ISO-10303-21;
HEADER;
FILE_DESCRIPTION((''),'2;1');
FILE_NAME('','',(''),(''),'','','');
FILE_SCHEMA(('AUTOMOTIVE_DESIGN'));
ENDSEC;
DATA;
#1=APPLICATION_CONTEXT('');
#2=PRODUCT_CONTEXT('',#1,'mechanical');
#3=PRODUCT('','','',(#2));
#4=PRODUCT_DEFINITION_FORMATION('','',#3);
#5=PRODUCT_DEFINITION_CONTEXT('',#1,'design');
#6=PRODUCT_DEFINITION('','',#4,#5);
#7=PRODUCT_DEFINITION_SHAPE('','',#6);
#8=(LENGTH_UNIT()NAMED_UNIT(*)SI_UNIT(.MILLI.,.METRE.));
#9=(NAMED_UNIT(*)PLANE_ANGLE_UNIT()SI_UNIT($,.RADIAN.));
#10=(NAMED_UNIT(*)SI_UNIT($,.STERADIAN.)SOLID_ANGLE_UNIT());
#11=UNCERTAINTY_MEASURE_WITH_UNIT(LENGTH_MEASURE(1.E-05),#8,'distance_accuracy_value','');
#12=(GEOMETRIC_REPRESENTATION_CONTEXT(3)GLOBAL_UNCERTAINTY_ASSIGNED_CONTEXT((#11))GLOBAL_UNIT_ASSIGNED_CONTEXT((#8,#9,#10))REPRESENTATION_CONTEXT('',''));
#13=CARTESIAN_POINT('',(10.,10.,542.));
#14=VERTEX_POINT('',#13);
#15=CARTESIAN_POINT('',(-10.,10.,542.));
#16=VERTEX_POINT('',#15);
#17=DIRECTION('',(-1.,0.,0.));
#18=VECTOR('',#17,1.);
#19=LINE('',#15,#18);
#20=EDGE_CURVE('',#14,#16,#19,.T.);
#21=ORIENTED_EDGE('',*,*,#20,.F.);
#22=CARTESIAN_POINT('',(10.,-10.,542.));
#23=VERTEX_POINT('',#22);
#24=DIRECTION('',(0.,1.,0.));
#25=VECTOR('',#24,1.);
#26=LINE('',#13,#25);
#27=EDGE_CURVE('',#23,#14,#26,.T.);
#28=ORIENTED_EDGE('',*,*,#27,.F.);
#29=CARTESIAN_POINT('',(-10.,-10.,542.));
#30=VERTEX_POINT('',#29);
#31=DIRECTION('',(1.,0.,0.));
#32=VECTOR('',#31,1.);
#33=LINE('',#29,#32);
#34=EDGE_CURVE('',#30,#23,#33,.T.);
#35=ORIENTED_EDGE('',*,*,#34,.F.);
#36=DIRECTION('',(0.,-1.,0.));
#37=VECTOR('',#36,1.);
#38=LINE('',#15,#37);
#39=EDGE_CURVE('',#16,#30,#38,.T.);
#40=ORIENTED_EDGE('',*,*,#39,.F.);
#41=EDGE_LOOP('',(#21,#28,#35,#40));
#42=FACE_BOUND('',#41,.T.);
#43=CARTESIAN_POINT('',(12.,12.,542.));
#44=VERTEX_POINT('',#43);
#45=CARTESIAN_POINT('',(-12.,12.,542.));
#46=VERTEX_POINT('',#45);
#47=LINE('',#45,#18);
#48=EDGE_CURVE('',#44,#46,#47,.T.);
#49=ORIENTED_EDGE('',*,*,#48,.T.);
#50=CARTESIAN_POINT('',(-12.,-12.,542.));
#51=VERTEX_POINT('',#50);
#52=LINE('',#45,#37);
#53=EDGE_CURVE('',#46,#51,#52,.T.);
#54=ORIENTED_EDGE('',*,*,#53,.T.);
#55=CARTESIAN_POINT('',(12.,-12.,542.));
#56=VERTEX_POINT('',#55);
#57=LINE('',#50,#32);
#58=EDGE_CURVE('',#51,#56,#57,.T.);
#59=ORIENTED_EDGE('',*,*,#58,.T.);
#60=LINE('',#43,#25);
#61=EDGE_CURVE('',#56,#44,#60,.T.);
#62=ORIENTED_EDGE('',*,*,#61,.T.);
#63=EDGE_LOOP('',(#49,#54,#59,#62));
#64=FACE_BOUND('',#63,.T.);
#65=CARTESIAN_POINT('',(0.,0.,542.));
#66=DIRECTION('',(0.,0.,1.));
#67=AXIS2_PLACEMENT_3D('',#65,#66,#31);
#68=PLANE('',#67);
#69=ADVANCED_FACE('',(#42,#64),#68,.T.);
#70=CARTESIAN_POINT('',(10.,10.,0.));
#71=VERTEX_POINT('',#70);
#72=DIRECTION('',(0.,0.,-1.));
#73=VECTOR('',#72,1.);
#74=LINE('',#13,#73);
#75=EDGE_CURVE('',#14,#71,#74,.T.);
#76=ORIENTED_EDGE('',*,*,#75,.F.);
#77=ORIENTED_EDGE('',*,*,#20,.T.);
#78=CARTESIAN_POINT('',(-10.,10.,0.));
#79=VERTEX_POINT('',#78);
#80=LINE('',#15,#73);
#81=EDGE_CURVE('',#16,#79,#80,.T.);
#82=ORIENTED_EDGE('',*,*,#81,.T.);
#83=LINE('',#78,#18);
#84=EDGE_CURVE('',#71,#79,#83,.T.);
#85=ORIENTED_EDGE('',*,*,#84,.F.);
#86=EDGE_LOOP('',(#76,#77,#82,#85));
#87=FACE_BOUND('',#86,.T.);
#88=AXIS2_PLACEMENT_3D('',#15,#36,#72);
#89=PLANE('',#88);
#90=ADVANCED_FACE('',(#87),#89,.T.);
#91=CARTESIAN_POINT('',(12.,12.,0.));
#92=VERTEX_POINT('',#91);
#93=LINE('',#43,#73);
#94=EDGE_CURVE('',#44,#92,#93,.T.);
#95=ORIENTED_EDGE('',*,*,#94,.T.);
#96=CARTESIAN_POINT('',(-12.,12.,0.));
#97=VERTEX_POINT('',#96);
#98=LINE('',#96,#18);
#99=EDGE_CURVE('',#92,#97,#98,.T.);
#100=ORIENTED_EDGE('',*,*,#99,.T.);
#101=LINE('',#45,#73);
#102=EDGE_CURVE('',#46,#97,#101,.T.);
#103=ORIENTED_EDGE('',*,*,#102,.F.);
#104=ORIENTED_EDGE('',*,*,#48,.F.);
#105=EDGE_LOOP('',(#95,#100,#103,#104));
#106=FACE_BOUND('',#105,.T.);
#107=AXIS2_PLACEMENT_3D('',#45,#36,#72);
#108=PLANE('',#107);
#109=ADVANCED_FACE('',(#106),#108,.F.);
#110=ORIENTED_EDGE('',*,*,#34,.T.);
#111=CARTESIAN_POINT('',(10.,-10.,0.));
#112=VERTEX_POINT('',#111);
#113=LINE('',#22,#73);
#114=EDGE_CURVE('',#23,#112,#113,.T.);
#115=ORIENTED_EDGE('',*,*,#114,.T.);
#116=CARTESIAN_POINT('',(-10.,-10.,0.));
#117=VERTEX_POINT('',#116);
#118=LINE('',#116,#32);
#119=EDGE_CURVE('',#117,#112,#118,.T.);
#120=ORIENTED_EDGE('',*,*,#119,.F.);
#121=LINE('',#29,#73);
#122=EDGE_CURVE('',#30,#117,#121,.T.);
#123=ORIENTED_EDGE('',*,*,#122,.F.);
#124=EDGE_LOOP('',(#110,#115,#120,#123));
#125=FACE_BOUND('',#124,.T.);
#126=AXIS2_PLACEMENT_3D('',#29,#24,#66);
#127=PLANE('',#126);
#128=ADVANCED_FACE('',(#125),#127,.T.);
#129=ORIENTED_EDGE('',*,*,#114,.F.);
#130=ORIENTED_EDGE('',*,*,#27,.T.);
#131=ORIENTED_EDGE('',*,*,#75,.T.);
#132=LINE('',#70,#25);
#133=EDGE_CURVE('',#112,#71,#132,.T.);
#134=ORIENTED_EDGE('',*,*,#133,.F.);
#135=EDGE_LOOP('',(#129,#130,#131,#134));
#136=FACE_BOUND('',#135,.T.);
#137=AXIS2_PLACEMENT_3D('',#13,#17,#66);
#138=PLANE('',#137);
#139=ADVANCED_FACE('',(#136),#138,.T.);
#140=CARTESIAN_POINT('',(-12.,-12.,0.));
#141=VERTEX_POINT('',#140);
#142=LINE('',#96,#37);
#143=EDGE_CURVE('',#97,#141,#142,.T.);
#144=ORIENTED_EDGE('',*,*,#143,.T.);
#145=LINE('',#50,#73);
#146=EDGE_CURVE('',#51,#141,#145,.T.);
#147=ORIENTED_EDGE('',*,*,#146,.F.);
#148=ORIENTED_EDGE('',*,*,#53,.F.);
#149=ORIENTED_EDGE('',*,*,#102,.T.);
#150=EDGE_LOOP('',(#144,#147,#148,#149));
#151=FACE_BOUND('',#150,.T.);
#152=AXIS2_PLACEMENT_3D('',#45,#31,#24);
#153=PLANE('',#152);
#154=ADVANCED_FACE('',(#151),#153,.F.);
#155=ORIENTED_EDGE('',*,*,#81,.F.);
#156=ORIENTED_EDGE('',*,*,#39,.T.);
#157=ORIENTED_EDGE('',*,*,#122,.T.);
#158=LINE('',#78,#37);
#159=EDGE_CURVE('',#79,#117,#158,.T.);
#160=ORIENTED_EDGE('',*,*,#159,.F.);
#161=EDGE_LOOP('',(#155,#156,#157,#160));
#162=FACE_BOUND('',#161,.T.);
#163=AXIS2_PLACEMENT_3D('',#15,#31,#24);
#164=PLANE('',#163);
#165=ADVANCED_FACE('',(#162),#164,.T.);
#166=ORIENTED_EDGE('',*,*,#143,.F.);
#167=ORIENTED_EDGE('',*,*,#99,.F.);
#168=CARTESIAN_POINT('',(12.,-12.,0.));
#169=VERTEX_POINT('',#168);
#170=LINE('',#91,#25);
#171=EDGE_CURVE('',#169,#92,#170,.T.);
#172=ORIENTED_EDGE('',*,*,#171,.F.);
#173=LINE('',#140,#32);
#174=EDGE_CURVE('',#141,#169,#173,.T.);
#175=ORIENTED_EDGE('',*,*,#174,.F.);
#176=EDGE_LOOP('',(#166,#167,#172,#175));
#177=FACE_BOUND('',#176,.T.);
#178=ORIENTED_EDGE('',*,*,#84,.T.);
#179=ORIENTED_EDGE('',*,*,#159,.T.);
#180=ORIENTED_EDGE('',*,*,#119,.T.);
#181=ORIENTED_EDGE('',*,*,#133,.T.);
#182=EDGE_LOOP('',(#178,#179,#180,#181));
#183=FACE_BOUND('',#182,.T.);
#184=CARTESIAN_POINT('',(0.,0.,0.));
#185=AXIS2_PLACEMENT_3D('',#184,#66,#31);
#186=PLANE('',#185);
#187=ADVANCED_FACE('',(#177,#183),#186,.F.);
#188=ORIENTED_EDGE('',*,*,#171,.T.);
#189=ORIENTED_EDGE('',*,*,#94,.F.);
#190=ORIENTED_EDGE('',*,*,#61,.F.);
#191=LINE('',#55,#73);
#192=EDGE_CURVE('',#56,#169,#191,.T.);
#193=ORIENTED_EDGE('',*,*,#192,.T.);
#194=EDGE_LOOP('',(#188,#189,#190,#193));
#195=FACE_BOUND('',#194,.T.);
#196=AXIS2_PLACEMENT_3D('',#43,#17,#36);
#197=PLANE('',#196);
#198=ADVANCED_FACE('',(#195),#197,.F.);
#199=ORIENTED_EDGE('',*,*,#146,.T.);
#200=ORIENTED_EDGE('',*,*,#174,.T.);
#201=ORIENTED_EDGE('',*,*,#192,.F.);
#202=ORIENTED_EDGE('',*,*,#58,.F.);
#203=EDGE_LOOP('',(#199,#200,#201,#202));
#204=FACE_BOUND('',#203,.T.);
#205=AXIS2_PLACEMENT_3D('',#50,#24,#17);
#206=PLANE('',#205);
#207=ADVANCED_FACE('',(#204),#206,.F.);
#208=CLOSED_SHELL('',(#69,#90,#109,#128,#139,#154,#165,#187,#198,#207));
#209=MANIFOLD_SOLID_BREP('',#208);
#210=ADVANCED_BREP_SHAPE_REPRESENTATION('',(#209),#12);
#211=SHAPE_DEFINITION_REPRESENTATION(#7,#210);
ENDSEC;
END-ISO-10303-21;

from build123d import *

# Parameters (mm, degrees)
SKETCH_1_W      = 24
SKETCH_1_H      = 24
SKETCH_1_W_2    = 20
SKETCH_1_H_2    = 20
EXTRUDE_1_DEPTH = 542


with BuildPart() as part:
    # 草图1 → 凸台-拉伸1 (new body)
    with BuildSketch(Plane.XY):
        Rectangle(SKETCH_1_W, SKETCH_1_H)
        Rectangle(SKETCH_1_W_2, SKETCH_1_H_2, mode=Mode.SUBTRACT)
    extrude(amount=EXTRUDE_1_DEPTH)


solid = part.part
